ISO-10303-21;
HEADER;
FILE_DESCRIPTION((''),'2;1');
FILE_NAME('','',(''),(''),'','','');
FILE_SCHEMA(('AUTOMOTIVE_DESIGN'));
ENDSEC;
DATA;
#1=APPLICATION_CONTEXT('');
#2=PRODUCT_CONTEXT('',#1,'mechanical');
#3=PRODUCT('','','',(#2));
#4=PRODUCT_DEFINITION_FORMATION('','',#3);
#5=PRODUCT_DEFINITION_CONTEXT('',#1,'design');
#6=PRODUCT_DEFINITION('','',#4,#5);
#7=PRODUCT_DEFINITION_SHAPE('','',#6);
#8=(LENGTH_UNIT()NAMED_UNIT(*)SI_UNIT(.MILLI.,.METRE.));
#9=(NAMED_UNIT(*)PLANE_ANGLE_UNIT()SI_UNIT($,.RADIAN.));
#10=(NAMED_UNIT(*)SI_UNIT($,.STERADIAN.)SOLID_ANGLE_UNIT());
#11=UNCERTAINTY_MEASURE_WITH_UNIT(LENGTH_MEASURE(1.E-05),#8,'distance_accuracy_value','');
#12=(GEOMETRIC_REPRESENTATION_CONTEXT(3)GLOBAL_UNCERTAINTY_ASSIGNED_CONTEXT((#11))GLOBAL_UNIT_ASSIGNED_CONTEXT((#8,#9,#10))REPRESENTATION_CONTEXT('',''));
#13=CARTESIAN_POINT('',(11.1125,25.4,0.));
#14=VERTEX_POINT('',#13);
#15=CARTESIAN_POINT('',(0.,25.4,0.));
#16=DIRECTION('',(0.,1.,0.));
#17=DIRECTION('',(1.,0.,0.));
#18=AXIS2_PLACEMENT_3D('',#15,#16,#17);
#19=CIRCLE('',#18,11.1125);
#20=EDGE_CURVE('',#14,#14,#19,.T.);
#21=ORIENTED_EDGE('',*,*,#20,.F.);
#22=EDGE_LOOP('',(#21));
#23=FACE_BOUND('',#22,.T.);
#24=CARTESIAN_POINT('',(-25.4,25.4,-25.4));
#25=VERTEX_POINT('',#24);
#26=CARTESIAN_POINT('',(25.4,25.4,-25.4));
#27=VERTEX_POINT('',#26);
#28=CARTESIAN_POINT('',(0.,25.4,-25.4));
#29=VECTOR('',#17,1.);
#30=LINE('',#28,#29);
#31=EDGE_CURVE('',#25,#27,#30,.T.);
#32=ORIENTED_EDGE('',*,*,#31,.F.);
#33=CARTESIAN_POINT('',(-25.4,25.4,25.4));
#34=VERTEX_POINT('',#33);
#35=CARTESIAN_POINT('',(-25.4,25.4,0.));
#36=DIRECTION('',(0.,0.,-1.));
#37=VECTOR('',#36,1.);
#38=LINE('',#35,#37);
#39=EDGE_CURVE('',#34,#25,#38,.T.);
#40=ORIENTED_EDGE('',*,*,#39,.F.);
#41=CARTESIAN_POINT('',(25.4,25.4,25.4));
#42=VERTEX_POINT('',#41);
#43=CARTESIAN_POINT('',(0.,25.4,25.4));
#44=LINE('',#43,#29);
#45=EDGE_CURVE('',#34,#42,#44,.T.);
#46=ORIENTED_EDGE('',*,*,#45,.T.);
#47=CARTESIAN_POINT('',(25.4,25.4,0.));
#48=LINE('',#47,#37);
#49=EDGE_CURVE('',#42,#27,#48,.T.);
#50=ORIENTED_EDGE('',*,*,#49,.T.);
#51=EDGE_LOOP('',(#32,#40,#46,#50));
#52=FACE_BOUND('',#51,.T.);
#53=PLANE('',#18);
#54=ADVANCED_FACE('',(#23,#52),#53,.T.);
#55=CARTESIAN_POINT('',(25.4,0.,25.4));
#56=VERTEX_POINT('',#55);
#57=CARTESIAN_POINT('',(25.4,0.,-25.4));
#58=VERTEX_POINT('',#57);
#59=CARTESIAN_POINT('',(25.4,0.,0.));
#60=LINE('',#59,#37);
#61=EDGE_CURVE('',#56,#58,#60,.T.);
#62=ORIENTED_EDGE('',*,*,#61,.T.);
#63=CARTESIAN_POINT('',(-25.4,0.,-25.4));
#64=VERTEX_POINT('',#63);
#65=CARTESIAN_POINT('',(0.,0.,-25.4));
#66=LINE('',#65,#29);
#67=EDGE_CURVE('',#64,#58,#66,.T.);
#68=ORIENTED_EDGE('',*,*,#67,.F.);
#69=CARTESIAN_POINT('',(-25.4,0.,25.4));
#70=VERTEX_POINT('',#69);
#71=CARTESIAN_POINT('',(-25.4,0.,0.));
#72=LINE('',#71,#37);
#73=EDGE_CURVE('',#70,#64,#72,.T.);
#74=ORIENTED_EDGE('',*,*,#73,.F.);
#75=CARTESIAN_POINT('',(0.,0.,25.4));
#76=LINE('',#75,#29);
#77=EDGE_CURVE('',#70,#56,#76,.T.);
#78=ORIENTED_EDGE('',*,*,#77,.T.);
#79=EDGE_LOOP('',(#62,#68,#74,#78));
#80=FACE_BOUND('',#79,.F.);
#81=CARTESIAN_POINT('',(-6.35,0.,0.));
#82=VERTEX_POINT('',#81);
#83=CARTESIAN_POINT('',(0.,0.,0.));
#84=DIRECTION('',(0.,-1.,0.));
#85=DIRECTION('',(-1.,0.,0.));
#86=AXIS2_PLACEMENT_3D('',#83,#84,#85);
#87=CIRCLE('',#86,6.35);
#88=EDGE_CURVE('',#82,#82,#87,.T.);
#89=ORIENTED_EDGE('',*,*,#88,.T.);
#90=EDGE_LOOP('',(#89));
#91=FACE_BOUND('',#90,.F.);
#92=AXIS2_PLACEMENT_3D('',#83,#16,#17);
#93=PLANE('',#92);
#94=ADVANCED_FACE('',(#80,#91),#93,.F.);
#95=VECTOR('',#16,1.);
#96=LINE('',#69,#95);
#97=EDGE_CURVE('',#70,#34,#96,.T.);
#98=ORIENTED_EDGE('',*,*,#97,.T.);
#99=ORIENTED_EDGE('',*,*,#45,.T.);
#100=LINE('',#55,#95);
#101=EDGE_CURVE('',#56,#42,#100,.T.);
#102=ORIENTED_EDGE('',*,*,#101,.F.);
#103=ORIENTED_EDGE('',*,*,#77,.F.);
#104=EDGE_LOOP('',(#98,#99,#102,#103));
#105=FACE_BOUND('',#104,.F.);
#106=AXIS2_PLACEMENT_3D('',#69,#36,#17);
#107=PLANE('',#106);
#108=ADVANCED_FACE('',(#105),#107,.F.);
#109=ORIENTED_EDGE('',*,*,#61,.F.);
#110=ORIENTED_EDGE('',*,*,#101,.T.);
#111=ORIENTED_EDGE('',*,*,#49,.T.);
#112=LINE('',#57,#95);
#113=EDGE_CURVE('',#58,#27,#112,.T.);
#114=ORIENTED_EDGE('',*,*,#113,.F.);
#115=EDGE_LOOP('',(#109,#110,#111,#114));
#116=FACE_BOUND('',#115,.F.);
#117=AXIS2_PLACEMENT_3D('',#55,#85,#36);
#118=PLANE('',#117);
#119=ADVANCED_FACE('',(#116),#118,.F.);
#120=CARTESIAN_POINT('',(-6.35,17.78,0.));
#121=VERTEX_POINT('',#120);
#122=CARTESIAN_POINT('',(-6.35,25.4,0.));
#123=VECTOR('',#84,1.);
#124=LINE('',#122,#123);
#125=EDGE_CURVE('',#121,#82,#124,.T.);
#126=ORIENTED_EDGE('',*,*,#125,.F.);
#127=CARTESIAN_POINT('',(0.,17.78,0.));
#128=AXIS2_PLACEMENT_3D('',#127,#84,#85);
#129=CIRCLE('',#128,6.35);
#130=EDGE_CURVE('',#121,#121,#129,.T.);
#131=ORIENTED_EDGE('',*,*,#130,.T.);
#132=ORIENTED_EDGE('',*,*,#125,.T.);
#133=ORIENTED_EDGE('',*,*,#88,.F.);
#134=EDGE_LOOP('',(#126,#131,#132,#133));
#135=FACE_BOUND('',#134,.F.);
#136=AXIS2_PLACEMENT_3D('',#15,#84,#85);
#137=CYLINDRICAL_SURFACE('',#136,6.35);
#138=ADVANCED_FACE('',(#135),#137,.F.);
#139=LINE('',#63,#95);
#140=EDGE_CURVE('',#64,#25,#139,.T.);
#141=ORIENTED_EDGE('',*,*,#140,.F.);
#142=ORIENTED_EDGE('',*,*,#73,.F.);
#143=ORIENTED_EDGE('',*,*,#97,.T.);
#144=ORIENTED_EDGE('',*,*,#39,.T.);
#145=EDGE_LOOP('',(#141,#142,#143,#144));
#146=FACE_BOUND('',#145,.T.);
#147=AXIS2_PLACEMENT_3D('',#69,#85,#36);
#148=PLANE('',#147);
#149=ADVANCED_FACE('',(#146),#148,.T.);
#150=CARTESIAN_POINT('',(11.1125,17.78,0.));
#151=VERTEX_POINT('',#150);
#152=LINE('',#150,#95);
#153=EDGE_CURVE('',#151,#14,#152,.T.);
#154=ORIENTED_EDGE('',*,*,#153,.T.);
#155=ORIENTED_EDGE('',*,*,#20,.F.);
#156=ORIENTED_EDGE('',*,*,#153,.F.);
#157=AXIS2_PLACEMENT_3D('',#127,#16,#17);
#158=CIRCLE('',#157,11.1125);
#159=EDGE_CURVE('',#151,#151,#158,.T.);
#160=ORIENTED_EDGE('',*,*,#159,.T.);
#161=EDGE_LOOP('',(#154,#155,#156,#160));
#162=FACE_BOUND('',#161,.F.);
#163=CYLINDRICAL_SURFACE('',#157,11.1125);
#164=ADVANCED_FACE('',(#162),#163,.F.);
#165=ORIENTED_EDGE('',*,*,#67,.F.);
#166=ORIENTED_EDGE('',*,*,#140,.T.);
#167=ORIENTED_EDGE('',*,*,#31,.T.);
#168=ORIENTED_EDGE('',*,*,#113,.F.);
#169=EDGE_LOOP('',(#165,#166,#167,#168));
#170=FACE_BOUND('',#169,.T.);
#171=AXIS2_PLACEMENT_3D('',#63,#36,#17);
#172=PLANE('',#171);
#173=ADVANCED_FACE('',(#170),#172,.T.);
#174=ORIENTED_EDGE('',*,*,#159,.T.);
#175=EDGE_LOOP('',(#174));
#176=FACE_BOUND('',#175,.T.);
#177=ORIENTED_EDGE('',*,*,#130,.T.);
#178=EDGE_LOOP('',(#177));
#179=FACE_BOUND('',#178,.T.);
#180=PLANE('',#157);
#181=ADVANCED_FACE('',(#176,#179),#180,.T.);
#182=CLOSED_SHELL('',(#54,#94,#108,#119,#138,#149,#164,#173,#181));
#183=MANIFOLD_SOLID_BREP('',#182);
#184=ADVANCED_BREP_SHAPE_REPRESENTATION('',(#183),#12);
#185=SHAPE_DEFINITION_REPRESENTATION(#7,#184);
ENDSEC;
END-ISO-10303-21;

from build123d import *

# Parameters (mm, degrees)
SKETCH2_W                                           = 50.8
SKETCH2_H                                           = 50.8
BOSS_EXTRUDE1_DEPTH                                 = 25.4
CBORE_FOR_00_BINDING_HEAD_MACHINE_SCREW_D           = 12.7
CBORE_FOR_00_BINDING_HEAD_MACHINE_SCREW_CBORE_D     = 22.225
CBORE_FOR_00_BINDING_HEAD_MACHINE_SCREW_CBORE_DEPTH = 7.62


with BuildPart() as part:
    # Sketch2 → Boss-Extrude1 (new body)
    with BuildSketch(Plane(origin=(0, 0, 0), x_dir=(1, 0, 0), z_dir=(0, 1, 0))):
        Rectangle(SKETCH2_W, SKETCH2_H)
    extrude(amount=BOSS_EXTRUDE1_DEPTH)

    # CBORE for #00 Binding Head Machine Screw1 (through all)
    with Locations(Plane(origin=(0, 25.4, 0), x_dir=(1, 0, 0), z_dir=(0, 1, 0))):
        with Locations((0, 0)):
            CounterBoreHole(CBORE_FOR_00_BINDING_HEAD_MACHINE_SCREW_D / 2, CBORE_FOR_00_BINDING_HEAD_MACHINE_SCREW_CBORE_D / 2, CBORE_FOR_00_BINDING_HEAD_MACHINE_SCREW_CBORE_DEPTH)


solid = part.part
